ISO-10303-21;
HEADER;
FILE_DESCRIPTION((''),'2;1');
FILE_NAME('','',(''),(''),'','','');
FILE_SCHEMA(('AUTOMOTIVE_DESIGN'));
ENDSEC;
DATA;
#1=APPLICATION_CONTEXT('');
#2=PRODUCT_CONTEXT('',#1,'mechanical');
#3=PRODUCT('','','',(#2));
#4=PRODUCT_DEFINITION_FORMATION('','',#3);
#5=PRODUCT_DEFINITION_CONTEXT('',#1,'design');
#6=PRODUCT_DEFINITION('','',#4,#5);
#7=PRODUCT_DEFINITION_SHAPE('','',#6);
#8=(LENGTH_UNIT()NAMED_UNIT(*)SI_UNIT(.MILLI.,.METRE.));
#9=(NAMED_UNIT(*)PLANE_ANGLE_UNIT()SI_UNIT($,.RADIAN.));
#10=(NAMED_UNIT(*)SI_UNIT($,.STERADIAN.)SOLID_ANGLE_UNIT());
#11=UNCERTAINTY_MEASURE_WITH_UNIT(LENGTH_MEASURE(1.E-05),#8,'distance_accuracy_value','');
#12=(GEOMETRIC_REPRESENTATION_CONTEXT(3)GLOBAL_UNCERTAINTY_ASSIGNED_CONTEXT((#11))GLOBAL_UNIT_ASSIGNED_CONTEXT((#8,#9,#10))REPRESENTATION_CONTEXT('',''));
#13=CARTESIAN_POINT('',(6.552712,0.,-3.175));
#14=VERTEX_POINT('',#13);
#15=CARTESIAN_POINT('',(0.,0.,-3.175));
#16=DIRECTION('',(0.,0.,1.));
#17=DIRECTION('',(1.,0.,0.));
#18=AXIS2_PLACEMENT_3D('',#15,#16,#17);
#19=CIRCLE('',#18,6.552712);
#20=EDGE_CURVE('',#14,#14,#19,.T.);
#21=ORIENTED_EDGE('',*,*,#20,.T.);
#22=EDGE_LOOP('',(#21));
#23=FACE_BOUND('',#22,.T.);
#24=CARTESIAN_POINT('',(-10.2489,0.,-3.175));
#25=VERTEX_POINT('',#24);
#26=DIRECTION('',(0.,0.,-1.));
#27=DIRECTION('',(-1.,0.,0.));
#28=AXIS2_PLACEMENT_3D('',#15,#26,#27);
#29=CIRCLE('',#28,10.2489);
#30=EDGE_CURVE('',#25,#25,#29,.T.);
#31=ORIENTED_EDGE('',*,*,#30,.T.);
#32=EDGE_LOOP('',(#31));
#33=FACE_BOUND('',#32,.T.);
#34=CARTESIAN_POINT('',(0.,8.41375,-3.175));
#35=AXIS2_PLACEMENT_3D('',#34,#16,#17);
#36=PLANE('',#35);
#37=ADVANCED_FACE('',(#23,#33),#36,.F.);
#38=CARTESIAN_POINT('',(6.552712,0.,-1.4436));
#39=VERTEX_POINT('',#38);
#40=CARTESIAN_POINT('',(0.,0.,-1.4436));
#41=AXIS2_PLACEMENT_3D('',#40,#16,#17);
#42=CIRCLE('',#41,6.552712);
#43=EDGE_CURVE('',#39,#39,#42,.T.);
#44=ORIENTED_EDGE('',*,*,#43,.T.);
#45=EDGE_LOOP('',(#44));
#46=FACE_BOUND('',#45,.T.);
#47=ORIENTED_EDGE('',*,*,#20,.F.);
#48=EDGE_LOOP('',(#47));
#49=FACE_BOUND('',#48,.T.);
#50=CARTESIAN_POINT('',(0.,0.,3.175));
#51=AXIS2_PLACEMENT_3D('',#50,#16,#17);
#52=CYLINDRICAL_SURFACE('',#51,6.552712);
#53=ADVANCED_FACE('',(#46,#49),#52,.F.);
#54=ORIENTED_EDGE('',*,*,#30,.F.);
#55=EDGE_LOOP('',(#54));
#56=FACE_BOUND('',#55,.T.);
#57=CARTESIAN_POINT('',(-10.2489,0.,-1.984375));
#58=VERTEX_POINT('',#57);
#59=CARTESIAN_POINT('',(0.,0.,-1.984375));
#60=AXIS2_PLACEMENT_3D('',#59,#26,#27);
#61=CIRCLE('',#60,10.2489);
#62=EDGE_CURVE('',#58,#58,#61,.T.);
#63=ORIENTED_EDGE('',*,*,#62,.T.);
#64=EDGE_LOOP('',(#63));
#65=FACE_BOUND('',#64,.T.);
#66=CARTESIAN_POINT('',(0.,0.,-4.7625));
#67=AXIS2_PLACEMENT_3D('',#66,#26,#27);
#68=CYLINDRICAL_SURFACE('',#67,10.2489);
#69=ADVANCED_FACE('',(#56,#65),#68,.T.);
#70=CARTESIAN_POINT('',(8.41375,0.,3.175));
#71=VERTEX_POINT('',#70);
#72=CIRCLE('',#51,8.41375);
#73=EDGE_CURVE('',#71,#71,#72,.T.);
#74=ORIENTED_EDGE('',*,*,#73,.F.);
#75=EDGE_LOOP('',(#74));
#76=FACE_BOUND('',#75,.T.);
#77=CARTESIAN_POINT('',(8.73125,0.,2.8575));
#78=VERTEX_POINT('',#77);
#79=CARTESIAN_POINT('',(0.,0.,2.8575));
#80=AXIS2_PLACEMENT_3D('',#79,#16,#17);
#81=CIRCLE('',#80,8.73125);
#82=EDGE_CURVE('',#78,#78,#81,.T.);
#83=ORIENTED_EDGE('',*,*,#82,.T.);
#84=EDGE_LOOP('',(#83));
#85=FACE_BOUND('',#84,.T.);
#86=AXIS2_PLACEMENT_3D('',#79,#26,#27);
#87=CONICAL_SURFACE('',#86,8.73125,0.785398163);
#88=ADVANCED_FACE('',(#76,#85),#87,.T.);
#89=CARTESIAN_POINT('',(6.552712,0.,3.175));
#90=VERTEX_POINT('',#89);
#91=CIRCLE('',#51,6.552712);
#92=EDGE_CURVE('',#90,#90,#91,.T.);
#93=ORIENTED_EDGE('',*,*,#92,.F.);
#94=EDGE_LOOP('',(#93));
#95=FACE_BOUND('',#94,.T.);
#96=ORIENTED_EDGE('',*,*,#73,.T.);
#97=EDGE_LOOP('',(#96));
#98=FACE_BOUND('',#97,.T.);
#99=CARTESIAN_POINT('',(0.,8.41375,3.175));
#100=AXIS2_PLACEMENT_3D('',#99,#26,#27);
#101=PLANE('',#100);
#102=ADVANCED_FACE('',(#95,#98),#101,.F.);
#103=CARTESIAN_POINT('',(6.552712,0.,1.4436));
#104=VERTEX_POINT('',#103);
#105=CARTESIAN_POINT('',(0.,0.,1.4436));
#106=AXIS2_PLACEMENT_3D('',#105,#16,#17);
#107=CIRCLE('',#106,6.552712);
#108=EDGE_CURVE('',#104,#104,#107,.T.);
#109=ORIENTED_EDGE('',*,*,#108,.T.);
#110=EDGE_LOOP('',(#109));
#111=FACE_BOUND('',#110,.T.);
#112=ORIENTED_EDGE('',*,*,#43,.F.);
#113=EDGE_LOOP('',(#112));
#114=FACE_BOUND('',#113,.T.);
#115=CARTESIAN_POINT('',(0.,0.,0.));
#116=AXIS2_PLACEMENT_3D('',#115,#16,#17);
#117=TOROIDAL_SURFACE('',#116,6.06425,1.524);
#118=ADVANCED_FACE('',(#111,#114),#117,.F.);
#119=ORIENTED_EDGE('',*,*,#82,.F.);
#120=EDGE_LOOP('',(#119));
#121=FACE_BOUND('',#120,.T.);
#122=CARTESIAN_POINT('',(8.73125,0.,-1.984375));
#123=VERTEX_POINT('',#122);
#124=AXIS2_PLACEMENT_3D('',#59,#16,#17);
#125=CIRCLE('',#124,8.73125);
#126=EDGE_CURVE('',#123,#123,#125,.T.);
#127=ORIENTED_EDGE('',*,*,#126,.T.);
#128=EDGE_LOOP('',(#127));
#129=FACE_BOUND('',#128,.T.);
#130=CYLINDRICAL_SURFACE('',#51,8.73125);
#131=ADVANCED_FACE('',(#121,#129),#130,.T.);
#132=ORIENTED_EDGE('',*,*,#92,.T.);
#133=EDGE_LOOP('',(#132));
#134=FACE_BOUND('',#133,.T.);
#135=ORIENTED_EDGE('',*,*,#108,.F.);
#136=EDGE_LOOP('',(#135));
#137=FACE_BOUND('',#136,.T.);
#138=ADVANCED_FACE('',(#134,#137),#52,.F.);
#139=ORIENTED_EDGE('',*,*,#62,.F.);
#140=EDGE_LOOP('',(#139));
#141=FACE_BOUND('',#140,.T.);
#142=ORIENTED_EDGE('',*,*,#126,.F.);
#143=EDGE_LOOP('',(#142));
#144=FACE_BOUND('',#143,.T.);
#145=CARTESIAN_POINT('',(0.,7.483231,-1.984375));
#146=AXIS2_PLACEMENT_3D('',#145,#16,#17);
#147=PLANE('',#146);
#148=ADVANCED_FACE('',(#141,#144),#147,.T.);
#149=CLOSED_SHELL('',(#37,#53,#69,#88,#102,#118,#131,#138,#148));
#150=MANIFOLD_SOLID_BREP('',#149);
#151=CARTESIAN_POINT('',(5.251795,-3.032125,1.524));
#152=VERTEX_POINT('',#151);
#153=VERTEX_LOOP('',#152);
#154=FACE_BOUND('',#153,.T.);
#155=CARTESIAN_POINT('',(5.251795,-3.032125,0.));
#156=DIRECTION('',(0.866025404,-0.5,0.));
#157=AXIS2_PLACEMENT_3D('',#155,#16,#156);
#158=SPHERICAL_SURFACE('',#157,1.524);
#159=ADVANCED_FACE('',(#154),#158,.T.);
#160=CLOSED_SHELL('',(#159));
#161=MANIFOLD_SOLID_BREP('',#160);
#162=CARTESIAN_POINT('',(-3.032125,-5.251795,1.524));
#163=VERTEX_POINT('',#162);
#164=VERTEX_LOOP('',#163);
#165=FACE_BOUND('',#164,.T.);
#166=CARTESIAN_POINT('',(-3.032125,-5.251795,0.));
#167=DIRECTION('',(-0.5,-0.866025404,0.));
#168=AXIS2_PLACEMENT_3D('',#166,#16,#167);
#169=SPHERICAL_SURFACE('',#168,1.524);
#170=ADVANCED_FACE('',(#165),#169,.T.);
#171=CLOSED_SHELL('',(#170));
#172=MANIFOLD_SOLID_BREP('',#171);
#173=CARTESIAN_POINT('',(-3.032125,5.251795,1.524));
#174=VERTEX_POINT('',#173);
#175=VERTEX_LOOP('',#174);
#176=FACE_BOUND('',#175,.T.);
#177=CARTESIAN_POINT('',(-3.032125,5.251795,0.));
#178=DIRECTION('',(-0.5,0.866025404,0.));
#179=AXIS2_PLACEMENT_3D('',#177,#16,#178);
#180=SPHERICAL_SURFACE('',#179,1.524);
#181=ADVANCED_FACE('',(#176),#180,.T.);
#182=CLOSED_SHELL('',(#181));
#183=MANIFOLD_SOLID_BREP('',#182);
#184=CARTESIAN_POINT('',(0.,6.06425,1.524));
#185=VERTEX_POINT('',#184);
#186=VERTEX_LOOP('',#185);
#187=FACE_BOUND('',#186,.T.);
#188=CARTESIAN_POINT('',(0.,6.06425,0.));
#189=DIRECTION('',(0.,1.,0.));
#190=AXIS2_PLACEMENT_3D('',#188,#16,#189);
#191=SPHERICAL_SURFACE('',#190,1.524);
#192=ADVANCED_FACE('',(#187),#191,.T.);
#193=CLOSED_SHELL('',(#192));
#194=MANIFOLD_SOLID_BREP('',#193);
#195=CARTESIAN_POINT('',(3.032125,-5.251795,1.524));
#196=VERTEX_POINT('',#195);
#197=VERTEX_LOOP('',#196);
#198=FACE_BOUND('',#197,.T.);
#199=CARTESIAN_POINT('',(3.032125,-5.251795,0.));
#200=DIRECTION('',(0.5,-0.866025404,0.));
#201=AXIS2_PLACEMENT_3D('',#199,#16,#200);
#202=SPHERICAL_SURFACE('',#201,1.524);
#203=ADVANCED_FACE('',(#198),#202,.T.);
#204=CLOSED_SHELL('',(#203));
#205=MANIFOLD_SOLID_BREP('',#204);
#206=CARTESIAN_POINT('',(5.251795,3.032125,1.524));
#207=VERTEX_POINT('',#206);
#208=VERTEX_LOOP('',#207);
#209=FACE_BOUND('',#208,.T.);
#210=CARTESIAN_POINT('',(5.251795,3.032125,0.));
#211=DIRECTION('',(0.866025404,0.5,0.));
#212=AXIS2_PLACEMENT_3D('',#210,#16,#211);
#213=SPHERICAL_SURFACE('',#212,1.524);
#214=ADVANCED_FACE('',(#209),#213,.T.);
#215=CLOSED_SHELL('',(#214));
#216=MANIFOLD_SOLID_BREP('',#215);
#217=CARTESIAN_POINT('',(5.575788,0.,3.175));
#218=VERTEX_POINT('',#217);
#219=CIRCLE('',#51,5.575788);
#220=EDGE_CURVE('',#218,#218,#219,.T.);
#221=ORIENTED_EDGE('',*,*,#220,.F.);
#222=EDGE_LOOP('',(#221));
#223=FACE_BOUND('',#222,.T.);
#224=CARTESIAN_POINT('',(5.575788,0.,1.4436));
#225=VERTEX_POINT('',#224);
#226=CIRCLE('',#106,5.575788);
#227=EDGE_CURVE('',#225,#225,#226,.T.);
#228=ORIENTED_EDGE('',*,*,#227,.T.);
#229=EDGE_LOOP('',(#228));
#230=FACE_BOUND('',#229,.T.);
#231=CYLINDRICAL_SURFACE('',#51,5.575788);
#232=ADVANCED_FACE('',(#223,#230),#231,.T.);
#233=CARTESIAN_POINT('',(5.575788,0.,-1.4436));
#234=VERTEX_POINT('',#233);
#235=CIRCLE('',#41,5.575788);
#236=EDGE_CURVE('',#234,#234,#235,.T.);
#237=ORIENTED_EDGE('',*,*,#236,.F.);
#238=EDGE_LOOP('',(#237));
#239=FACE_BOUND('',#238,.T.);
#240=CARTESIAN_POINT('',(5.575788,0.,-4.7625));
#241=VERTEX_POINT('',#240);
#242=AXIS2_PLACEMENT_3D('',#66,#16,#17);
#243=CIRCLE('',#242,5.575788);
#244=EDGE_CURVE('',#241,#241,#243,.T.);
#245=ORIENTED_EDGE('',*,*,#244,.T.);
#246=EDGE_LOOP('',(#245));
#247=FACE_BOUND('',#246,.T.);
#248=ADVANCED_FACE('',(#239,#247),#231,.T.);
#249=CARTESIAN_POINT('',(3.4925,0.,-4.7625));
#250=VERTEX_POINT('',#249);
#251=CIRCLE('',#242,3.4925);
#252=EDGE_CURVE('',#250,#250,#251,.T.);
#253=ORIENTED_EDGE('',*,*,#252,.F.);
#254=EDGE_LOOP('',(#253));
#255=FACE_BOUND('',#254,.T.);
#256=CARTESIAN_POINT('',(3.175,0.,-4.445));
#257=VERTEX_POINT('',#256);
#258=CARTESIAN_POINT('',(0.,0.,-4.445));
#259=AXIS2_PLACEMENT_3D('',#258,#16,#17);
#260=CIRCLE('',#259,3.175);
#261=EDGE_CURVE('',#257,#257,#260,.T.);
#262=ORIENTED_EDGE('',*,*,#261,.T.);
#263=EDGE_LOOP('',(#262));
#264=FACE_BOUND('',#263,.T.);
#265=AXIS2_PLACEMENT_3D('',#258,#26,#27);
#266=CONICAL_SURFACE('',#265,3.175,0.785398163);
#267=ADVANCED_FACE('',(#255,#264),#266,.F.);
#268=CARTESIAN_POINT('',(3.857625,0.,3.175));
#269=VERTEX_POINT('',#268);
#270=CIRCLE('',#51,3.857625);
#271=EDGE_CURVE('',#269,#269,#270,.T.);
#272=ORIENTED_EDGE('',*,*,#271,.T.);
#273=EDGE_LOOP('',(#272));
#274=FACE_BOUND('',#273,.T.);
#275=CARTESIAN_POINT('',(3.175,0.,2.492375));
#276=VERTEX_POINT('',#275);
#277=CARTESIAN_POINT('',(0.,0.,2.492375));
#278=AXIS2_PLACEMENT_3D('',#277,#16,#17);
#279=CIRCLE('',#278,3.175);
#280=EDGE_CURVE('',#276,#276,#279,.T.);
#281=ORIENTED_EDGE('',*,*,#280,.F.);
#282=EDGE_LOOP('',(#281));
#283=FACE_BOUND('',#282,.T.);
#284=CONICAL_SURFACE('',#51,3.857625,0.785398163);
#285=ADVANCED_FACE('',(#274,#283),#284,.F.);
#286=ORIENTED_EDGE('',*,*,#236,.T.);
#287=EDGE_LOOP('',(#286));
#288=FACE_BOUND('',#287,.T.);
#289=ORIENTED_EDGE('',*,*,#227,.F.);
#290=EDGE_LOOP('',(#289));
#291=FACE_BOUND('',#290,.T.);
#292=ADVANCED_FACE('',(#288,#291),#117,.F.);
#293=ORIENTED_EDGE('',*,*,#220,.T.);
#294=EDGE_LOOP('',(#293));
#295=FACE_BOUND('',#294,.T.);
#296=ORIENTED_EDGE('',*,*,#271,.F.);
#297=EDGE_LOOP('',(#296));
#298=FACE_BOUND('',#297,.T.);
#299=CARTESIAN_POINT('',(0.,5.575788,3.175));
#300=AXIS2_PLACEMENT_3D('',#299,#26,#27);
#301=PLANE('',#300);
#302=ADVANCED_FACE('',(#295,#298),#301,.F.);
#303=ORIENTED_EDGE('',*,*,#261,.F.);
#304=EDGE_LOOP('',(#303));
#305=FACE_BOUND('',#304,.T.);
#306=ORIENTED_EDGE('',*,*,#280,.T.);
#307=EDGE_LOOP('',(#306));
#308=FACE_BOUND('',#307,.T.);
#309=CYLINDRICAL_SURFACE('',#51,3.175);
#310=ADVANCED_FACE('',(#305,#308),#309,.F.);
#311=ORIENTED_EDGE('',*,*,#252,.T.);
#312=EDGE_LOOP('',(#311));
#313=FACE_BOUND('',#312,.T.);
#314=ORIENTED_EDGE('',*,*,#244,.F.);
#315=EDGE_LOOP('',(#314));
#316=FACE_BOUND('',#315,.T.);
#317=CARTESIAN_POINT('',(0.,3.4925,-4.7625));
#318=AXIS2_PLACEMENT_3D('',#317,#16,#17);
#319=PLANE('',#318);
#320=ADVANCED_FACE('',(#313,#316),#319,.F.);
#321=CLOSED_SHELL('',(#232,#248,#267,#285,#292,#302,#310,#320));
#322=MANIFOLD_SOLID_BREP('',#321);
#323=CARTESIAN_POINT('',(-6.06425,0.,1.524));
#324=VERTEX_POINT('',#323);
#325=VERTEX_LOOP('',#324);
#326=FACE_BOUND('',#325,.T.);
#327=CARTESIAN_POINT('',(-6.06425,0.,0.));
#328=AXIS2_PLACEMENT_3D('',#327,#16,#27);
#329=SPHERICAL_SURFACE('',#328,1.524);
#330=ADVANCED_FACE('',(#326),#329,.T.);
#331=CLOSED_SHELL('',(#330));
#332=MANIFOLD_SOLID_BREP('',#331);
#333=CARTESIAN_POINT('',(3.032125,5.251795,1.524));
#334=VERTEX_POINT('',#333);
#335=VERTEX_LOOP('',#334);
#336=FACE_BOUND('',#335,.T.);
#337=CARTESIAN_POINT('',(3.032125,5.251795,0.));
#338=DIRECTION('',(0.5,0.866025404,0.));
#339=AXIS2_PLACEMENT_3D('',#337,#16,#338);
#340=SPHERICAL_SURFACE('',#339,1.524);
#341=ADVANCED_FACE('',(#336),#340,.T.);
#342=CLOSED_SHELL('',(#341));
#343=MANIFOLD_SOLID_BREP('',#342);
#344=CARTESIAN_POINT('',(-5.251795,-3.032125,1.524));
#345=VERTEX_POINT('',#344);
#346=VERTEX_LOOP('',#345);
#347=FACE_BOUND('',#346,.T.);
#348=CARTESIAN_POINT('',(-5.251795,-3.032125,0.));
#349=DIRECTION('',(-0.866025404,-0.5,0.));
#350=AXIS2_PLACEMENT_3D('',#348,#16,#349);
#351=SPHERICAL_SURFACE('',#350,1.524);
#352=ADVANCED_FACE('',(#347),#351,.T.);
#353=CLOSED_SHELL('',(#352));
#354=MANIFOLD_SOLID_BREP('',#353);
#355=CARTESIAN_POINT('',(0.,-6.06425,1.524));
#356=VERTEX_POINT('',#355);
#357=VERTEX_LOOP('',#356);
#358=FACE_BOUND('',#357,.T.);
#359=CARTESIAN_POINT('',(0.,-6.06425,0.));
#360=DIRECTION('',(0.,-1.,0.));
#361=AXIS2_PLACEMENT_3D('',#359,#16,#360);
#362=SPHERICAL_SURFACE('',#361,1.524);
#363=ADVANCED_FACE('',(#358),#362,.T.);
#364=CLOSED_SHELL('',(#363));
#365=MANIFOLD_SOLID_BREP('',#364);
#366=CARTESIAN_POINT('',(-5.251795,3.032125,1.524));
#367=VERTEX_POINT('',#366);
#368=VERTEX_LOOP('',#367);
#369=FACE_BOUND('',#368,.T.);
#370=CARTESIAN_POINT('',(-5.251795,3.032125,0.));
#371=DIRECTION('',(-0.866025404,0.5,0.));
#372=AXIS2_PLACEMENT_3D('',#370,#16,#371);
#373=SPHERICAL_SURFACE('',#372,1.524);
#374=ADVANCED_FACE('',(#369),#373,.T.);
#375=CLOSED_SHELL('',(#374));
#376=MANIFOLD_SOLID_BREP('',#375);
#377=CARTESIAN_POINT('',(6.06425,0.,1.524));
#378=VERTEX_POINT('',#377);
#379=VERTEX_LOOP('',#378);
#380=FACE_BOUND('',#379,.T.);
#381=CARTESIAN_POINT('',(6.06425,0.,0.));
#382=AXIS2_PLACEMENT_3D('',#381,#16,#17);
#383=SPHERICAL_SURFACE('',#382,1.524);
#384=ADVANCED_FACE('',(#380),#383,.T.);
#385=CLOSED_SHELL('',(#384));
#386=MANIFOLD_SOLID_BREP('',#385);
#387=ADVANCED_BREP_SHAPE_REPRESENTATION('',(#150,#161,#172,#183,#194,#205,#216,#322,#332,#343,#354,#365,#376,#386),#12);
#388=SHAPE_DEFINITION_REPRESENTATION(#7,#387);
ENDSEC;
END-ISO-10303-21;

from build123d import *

# Parameters (mm, degrees)
CIRPATTERN1_COUNT = 12
SKETCH5_W         = 1.190625
SKETCH5_H         = 2.765669231


with BuildPart() as part:
    # Sketch1 → Revolve1 (revolve)
    with BuildSketch(Plane(origin=(0, 0, 0), x_dir=(0, 0, -1), z_dir=(1, 0, 0))):
        with BuildLine():
            Line((2.8575, 8.73125), (-2.8575, 8.73125))
            Line((-2.8575, 8.73125), (-3.175, 8.41375))
            Line((-3.175, 8.41375), (-3.175, 6.552711538))
            Line((-3.175, 6.552711538), (-1.443600127, 6.552711538))
            ThreePointArc((-1.443600127, 6.552711538), (0, 7.58825), (1.443600127, 6.552711538))
            Line((1.443600127, 6.552711538), (3.175, 6.552711538))
            Line((3.175, 6.552711538), (3.175, 8.41375))
            Line((3.175, 8.41375), (2.8575, 8.73125))
        make_face()
    revolve(axis=Axis((0, 0, 3.175), (0, 0, -1)))

    # Sketch5 → Revolve5 (revolve)
    with BuildSketch(Plane(origin=(0, 0, 0), x_dir=(0, 0, -1), z_dir=(1, 0, 0))):
        with Locations((2.5796875, 8.866065385)):
            Rectangle(SKETCH5_W, SKETCH5_H)
    revolve(axis=Axis((0, 0, -4.7625), (0, 0, 1)))


with BuildPart() as body_2:
    # Sketch2 → Revolve2 (revolve)
    with BuildSketch(Plane(origin=(0, 0, 0), x_dir=(0, 0, -1), z_dir=(1, 0, 0))):
        with BuildLine():
            Line((-3.175, 5.575788462), (-1.443600127, 5.575788462))
            ThreePointArc((-1.443600127, 5.575788462), (-0.888301924, 4.825906069), (0, 4.54025))
            Line((0, 4.54025), (0, 3.857625))
            Line((0, 3.857625), (-2.315918269, 3.857625))
            Line((-2.315918269, 3.857625), (-3.175, 4.716706731))
            Line((-3.175, 4.716706731), (-3.175, 5.575788462))
        make_face()
    revolve(axis=Axis((0, 0, 3.175), (0, 0, -1)))

    # Sketch3 → Revolve3 (revolve)
    with BuildSketch(Plane(origin=(0, 0, 0), x_dir=(0, 0, -1), z_dir=(1, 0, 0))):
        with BuildLine():
            Line((-3.175, 4.716706731), (-2.315918269, 3.857625))
            Line((-2.315918269, 3.857625), (0, 3.857625))
            Line((0, 3.857625), (0, 4.54025))
            ThreePointArc((0, 4.54025), (0.888301924, 4.825906069), (1.443600127, 5.575788462))
            Line((1.443600127, 5.575788462), (4.7625, 5.575788462))
            Line((4.7625, 5.575788462), (4.7625, 3.4925))
            Line((4.7625, 3.4925), (4.445, 3.175))
            Line((4.445, 3.175), (-2.492375, 3.175))
            Line((-2.492375, 3.175), (-3.175, 3.857625))
            Line((-3.175, 3.857625), (-3.175, 4.716706731))
        make_face()
    revolve(axis=Axis((0, 0, 3.175), (0, 0, -1)))


with BuildPart() as body_3:
    # Sketch4 → Revolve4 (revolve)
    with BuildSketch(Plane(origin=(0, 0, 0), x_dir=(0, 0, -1), z_dir=(1, 0, 0))):
        with BuildLine():
            Line((-1.524, 6.06425), (1.524, 6.06425))
            ThreePointArc((1.524, 6.06425), (0, 7.58825), (-1.524, 6.06425))
        make_face()
    revolve(axis=Axis((0, 6.06425, 1.524), (0, 0, -1)))


with BuildPart() as cirpattern1_1:
    # CirPattern1: pattern copy
    add(body_3.part.rotate(Axis((0, 0, -3.175), (0, 0, 1)), 1 * 360 / CIRPATTERN1_COUNT))


with BuildPart() as cirpattern1_2:
    # CirPattern1: pattern copy
    add(body_3.part.rotate(Axis((0, 0, -3.175), (0, 0, 1)), 2 * 360 / CIRPATTERN1_COUNT))


with BuildPart() as cirpattern1_3:
    # CirPattern1: pattern copy
    add(body_3.part.rotate(Axis((0, 0, -3.175), (0, 0, 1)), 3 * 360 / CIRPATTERN1_COUNT))


with BuildPart() as cirpattern1_4:
    # CirPattern1: pattern copy
    add(body_3.part.rotate(Axis((0, 0, -3.175), (0, 0, 1)), 4 * 360 / CIRPATTERN1_COUNT))


with BuildPart() as cirpattern1_5:
    # CirPattern1: pattern copy
    add(body_3.part.rotate(Axis((0, 0, -3.175), (0, 0, 1)), 5 * 360 / CIRPATTERN1_COUNT))


with BuildPart() as cirpattern1_6:
    # CirPattern1: pattern copy
    add(body_3.part.rotate(Axis((0, 0, -3.175), (0, 0, 1)), 6 * 360 / CIRPATTERN1_COUNT))


with BuildPart() as cirpattern1_7:
    # CirPattern1: pattern copy
    add(body_3.part.rotate(Axis((0, 0, -3.175), (0, 0, 1)), 7 * 360 / CIRPATTERN1_COUNT))


with BuildPart() as cirpattern1_8:
    # CirPattern1: pattern copy
    add(body_3.part.rotate(Axis((0, 0, -3.175), (0, 0, 1)), 8 * 360 / CIRPATTERN1_COUNT))


with BuildPart() as cirpattern1_9:
    # CirPattern1: pattern copy
    add(body_3.part.rotate(Axis((0, 0, -3.175), (0, 0, 1)), 9 * 360 / CIRPATTERN1_COUNT))


with BuildPart() as cirpattern1_10:
    # CirPattern1: pattern copy
    add(body_3.part.rotate(Axis((0, 0, -3.175), (0, 0, 1)), 10 * 360 / CIRPATTERN1_COUNT))


with BuildPart() as cirpattern1_11:
    # CirPattern1: pattern copy
    add(body_3.part.rotate(Axis((0, 0, -3.175), (0, 0, 1)), 11 * 360 / CIRPATTERN1_COUNT))


solid = Compound([part.part, body_2.part, body_3.part, cirpattern1_1.part, cirpattern1_2.part, cirpattern1_3.part, cirpattern1_4.part, cirpattern1_5.part, cirpattern1_6.part, cirpattern1_7.part, cirpattern1_8.part, cirpattern1_9.part, cirpattern1_10.part, cirpattern1_11.part])
